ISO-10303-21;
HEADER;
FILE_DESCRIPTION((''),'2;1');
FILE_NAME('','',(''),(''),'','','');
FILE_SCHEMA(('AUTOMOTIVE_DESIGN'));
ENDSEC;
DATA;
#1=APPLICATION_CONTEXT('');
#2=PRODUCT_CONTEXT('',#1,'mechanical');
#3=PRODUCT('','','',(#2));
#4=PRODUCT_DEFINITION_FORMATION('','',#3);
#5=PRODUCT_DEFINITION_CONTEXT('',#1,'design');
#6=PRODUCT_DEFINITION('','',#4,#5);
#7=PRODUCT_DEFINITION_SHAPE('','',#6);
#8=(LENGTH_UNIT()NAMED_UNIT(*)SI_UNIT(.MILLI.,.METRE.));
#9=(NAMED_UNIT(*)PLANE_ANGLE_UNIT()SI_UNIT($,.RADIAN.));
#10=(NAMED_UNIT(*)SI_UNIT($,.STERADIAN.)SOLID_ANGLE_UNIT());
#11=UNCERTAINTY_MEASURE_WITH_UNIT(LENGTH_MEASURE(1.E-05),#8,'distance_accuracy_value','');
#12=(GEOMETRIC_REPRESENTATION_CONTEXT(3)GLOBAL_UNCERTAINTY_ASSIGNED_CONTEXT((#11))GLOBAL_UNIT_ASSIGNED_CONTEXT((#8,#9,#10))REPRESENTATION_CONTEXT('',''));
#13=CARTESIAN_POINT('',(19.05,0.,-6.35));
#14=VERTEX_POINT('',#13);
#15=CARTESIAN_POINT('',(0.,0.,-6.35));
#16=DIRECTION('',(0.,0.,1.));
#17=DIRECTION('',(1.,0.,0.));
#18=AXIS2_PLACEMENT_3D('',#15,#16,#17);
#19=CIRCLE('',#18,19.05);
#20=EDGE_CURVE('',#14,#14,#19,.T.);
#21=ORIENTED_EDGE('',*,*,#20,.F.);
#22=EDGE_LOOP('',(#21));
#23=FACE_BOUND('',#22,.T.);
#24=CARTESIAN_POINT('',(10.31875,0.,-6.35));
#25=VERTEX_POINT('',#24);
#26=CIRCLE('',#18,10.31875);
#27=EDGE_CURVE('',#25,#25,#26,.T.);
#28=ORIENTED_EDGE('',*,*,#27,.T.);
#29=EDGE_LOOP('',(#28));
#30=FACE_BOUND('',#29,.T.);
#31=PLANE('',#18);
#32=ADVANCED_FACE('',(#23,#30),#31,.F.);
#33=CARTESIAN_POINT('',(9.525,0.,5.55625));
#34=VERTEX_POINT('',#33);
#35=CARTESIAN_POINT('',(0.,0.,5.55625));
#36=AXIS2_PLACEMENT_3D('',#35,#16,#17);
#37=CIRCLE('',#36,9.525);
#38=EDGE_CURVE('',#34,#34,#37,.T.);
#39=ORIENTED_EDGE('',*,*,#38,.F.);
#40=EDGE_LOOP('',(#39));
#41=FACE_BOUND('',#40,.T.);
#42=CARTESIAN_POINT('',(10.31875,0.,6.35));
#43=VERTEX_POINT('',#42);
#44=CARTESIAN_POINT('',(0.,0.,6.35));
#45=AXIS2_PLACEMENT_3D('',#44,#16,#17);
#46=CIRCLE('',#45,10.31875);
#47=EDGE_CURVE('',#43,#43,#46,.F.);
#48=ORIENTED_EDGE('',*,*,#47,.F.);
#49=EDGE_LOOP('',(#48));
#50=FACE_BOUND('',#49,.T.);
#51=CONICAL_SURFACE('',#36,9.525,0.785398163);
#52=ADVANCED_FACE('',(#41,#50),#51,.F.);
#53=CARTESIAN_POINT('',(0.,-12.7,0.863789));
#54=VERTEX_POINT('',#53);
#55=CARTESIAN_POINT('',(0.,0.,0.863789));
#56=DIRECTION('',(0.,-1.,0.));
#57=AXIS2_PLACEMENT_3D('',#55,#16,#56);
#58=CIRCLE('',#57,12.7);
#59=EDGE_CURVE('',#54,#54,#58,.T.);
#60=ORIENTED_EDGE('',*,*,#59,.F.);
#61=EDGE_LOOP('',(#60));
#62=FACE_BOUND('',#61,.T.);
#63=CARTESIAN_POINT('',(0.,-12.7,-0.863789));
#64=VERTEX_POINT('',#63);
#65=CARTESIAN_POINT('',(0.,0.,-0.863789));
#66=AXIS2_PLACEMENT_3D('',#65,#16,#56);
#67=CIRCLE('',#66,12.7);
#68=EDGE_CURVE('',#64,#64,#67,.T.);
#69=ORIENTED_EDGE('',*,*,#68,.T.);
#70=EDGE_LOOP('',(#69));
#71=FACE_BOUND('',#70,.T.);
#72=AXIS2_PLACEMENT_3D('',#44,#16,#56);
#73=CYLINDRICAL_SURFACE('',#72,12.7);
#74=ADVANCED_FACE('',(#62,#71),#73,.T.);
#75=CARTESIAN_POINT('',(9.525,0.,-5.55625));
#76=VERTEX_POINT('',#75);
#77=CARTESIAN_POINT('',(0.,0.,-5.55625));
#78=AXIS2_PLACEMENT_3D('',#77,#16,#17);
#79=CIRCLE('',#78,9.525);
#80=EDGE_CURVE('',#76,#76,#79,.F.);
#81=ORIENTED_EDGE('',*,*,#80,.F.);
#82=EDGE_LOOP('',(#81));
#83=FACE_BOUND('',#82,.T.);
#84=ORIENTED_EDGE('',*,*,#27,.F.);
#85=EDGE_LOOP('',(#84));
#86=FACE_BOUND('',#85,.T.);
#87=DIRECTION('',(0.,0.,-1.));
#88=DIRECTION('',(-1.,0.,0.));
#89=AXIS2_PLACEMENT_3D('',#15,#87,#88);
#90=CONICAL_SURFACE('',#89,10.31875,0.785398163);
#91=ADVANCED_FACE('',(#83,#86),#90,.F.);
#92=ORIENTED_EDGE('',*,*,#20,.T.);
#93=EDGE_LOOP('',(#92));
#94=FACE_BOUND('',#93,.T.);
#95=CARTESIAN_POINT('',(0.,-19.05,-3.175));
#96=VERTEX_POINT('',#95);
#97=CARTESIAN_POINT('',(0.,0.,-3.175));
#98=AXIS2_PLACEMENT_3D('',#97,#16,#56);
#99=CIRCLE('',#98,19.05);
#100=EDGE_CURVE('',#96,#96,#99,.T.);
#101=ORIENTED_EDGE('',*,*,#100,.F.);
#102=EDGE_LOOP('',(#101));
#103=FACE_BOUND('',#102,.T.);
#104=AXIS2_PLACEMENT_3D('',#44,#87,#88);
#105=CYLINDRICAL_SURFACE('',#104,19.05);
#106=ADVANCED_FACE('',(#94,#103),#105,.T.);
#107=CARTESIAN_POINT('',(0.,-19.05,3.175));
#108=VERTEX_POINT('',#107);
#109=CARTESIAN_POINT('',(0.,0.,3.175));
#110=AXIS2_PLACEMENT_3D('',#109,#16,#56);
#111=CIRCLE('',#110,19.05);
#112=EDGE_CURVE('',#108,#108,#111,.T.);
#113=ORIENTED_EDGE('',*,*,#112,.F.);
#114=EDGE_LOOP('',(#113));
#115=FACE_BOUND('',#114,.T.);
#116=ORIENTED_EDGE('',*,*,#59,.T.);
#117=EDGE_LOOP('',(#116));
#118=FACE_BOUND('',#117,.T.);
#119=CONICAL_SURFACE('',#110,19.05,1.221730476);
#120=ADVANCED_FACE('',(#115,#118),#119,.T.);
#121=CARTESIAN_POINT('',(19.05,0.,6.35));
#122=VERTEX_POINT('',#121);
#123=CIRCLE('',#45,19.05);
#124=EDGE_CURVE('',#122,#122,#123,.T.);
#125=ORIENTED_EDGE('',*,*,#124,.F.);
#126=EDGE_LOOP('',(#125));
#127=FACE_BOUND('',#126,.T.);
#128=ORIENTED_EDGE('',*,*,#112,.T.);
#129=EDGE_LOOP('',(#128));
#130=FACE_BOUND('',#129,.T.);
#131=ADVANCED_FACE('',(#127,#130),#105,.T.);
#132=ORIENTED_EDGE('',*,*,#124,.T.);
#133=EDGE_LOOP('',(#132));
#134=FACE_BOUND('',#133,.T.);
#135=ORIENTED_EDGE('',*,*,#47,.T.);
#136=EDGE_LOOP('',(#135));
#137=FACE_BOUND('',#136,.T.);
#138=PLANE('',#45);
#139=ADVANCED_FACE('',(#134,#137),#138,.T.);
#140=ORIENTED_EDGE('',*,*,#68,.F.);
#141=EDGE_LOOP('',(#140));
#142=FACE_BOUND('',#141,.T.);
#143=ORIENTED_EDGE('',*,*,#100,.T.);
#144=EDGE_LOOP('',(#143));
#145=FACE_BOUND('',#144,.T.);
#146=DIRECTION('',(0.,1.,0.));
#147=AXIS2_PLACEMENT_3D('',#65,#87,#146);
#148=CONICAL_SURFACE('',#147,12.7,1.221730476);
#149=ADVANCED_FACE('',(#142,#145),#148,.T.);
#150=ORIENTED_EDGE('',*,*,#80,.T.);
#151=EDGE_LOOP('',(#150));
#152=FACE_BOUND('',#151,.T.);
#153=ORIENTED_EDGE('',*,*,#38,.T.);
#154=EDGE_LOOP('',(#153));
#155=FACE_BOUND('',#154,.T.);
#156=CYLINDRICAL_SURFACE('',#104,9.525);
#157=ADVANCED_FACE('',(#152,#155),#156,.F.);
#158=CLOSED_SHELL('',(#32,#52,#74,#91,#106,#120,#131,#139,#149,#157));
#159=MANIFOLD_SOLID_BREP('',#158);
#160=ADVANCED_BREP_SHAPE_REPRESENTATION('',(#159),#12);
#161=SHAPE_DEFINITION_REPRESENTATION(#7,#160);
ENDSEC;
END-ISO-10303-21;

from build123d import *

# Parameters (mm, degrees)
SKETCH1_R      = 19.05
SKETCH1_R_2    = 9.525
EXTRUDE1_DEPTH = 6.35
CHAMFER1_SIZE  = 0.79375


with BuildPart() as part:
    # Sketch1 → Extrude1 (new, symmetric)
    with BuildSketch(Plane.XY):
        Circle(SKETCH1_R)
        Circle(SKETCH1_R_2, mode=Mode.SUBTRACT)
    extrude(amount=EXTRUDE1_DEPTH, both=True)

    # Chamfer1
    chamfer1_edges = [part.edges().sort_by_distance(p)[0] for p in [
        (-9.525, 0, -6.35),
        (-9.525, 0, 6.35),
    ]]
    chamfer(chamfer1_edges, length=CHAMFER1_SIZE)

    # Sketch2 → Cut-Revolve1 (revolve, cut)
    with BuildSketch(Plane(origin=(0, 0, 0), x_dir=(0, 0, -1), z_dir=(1, 0, 0)), mode=Mode.PRIVATE) as cut_revolve1_sk:
        Polygon((-3.175, 19.05), (3.175, 19.05), (0.863789012, 12.7), (-0.863789012, 12.7), align=None)
    revolve(cut_revolve1_sk.sketch.rotate(Axis((0, 0, 6.35), (0, 0, -1)), 180), axis=Axis((0, 0, 6.35), (0, 0, -1)), mode=Mode.SUBTRACT)


solid = part.part
